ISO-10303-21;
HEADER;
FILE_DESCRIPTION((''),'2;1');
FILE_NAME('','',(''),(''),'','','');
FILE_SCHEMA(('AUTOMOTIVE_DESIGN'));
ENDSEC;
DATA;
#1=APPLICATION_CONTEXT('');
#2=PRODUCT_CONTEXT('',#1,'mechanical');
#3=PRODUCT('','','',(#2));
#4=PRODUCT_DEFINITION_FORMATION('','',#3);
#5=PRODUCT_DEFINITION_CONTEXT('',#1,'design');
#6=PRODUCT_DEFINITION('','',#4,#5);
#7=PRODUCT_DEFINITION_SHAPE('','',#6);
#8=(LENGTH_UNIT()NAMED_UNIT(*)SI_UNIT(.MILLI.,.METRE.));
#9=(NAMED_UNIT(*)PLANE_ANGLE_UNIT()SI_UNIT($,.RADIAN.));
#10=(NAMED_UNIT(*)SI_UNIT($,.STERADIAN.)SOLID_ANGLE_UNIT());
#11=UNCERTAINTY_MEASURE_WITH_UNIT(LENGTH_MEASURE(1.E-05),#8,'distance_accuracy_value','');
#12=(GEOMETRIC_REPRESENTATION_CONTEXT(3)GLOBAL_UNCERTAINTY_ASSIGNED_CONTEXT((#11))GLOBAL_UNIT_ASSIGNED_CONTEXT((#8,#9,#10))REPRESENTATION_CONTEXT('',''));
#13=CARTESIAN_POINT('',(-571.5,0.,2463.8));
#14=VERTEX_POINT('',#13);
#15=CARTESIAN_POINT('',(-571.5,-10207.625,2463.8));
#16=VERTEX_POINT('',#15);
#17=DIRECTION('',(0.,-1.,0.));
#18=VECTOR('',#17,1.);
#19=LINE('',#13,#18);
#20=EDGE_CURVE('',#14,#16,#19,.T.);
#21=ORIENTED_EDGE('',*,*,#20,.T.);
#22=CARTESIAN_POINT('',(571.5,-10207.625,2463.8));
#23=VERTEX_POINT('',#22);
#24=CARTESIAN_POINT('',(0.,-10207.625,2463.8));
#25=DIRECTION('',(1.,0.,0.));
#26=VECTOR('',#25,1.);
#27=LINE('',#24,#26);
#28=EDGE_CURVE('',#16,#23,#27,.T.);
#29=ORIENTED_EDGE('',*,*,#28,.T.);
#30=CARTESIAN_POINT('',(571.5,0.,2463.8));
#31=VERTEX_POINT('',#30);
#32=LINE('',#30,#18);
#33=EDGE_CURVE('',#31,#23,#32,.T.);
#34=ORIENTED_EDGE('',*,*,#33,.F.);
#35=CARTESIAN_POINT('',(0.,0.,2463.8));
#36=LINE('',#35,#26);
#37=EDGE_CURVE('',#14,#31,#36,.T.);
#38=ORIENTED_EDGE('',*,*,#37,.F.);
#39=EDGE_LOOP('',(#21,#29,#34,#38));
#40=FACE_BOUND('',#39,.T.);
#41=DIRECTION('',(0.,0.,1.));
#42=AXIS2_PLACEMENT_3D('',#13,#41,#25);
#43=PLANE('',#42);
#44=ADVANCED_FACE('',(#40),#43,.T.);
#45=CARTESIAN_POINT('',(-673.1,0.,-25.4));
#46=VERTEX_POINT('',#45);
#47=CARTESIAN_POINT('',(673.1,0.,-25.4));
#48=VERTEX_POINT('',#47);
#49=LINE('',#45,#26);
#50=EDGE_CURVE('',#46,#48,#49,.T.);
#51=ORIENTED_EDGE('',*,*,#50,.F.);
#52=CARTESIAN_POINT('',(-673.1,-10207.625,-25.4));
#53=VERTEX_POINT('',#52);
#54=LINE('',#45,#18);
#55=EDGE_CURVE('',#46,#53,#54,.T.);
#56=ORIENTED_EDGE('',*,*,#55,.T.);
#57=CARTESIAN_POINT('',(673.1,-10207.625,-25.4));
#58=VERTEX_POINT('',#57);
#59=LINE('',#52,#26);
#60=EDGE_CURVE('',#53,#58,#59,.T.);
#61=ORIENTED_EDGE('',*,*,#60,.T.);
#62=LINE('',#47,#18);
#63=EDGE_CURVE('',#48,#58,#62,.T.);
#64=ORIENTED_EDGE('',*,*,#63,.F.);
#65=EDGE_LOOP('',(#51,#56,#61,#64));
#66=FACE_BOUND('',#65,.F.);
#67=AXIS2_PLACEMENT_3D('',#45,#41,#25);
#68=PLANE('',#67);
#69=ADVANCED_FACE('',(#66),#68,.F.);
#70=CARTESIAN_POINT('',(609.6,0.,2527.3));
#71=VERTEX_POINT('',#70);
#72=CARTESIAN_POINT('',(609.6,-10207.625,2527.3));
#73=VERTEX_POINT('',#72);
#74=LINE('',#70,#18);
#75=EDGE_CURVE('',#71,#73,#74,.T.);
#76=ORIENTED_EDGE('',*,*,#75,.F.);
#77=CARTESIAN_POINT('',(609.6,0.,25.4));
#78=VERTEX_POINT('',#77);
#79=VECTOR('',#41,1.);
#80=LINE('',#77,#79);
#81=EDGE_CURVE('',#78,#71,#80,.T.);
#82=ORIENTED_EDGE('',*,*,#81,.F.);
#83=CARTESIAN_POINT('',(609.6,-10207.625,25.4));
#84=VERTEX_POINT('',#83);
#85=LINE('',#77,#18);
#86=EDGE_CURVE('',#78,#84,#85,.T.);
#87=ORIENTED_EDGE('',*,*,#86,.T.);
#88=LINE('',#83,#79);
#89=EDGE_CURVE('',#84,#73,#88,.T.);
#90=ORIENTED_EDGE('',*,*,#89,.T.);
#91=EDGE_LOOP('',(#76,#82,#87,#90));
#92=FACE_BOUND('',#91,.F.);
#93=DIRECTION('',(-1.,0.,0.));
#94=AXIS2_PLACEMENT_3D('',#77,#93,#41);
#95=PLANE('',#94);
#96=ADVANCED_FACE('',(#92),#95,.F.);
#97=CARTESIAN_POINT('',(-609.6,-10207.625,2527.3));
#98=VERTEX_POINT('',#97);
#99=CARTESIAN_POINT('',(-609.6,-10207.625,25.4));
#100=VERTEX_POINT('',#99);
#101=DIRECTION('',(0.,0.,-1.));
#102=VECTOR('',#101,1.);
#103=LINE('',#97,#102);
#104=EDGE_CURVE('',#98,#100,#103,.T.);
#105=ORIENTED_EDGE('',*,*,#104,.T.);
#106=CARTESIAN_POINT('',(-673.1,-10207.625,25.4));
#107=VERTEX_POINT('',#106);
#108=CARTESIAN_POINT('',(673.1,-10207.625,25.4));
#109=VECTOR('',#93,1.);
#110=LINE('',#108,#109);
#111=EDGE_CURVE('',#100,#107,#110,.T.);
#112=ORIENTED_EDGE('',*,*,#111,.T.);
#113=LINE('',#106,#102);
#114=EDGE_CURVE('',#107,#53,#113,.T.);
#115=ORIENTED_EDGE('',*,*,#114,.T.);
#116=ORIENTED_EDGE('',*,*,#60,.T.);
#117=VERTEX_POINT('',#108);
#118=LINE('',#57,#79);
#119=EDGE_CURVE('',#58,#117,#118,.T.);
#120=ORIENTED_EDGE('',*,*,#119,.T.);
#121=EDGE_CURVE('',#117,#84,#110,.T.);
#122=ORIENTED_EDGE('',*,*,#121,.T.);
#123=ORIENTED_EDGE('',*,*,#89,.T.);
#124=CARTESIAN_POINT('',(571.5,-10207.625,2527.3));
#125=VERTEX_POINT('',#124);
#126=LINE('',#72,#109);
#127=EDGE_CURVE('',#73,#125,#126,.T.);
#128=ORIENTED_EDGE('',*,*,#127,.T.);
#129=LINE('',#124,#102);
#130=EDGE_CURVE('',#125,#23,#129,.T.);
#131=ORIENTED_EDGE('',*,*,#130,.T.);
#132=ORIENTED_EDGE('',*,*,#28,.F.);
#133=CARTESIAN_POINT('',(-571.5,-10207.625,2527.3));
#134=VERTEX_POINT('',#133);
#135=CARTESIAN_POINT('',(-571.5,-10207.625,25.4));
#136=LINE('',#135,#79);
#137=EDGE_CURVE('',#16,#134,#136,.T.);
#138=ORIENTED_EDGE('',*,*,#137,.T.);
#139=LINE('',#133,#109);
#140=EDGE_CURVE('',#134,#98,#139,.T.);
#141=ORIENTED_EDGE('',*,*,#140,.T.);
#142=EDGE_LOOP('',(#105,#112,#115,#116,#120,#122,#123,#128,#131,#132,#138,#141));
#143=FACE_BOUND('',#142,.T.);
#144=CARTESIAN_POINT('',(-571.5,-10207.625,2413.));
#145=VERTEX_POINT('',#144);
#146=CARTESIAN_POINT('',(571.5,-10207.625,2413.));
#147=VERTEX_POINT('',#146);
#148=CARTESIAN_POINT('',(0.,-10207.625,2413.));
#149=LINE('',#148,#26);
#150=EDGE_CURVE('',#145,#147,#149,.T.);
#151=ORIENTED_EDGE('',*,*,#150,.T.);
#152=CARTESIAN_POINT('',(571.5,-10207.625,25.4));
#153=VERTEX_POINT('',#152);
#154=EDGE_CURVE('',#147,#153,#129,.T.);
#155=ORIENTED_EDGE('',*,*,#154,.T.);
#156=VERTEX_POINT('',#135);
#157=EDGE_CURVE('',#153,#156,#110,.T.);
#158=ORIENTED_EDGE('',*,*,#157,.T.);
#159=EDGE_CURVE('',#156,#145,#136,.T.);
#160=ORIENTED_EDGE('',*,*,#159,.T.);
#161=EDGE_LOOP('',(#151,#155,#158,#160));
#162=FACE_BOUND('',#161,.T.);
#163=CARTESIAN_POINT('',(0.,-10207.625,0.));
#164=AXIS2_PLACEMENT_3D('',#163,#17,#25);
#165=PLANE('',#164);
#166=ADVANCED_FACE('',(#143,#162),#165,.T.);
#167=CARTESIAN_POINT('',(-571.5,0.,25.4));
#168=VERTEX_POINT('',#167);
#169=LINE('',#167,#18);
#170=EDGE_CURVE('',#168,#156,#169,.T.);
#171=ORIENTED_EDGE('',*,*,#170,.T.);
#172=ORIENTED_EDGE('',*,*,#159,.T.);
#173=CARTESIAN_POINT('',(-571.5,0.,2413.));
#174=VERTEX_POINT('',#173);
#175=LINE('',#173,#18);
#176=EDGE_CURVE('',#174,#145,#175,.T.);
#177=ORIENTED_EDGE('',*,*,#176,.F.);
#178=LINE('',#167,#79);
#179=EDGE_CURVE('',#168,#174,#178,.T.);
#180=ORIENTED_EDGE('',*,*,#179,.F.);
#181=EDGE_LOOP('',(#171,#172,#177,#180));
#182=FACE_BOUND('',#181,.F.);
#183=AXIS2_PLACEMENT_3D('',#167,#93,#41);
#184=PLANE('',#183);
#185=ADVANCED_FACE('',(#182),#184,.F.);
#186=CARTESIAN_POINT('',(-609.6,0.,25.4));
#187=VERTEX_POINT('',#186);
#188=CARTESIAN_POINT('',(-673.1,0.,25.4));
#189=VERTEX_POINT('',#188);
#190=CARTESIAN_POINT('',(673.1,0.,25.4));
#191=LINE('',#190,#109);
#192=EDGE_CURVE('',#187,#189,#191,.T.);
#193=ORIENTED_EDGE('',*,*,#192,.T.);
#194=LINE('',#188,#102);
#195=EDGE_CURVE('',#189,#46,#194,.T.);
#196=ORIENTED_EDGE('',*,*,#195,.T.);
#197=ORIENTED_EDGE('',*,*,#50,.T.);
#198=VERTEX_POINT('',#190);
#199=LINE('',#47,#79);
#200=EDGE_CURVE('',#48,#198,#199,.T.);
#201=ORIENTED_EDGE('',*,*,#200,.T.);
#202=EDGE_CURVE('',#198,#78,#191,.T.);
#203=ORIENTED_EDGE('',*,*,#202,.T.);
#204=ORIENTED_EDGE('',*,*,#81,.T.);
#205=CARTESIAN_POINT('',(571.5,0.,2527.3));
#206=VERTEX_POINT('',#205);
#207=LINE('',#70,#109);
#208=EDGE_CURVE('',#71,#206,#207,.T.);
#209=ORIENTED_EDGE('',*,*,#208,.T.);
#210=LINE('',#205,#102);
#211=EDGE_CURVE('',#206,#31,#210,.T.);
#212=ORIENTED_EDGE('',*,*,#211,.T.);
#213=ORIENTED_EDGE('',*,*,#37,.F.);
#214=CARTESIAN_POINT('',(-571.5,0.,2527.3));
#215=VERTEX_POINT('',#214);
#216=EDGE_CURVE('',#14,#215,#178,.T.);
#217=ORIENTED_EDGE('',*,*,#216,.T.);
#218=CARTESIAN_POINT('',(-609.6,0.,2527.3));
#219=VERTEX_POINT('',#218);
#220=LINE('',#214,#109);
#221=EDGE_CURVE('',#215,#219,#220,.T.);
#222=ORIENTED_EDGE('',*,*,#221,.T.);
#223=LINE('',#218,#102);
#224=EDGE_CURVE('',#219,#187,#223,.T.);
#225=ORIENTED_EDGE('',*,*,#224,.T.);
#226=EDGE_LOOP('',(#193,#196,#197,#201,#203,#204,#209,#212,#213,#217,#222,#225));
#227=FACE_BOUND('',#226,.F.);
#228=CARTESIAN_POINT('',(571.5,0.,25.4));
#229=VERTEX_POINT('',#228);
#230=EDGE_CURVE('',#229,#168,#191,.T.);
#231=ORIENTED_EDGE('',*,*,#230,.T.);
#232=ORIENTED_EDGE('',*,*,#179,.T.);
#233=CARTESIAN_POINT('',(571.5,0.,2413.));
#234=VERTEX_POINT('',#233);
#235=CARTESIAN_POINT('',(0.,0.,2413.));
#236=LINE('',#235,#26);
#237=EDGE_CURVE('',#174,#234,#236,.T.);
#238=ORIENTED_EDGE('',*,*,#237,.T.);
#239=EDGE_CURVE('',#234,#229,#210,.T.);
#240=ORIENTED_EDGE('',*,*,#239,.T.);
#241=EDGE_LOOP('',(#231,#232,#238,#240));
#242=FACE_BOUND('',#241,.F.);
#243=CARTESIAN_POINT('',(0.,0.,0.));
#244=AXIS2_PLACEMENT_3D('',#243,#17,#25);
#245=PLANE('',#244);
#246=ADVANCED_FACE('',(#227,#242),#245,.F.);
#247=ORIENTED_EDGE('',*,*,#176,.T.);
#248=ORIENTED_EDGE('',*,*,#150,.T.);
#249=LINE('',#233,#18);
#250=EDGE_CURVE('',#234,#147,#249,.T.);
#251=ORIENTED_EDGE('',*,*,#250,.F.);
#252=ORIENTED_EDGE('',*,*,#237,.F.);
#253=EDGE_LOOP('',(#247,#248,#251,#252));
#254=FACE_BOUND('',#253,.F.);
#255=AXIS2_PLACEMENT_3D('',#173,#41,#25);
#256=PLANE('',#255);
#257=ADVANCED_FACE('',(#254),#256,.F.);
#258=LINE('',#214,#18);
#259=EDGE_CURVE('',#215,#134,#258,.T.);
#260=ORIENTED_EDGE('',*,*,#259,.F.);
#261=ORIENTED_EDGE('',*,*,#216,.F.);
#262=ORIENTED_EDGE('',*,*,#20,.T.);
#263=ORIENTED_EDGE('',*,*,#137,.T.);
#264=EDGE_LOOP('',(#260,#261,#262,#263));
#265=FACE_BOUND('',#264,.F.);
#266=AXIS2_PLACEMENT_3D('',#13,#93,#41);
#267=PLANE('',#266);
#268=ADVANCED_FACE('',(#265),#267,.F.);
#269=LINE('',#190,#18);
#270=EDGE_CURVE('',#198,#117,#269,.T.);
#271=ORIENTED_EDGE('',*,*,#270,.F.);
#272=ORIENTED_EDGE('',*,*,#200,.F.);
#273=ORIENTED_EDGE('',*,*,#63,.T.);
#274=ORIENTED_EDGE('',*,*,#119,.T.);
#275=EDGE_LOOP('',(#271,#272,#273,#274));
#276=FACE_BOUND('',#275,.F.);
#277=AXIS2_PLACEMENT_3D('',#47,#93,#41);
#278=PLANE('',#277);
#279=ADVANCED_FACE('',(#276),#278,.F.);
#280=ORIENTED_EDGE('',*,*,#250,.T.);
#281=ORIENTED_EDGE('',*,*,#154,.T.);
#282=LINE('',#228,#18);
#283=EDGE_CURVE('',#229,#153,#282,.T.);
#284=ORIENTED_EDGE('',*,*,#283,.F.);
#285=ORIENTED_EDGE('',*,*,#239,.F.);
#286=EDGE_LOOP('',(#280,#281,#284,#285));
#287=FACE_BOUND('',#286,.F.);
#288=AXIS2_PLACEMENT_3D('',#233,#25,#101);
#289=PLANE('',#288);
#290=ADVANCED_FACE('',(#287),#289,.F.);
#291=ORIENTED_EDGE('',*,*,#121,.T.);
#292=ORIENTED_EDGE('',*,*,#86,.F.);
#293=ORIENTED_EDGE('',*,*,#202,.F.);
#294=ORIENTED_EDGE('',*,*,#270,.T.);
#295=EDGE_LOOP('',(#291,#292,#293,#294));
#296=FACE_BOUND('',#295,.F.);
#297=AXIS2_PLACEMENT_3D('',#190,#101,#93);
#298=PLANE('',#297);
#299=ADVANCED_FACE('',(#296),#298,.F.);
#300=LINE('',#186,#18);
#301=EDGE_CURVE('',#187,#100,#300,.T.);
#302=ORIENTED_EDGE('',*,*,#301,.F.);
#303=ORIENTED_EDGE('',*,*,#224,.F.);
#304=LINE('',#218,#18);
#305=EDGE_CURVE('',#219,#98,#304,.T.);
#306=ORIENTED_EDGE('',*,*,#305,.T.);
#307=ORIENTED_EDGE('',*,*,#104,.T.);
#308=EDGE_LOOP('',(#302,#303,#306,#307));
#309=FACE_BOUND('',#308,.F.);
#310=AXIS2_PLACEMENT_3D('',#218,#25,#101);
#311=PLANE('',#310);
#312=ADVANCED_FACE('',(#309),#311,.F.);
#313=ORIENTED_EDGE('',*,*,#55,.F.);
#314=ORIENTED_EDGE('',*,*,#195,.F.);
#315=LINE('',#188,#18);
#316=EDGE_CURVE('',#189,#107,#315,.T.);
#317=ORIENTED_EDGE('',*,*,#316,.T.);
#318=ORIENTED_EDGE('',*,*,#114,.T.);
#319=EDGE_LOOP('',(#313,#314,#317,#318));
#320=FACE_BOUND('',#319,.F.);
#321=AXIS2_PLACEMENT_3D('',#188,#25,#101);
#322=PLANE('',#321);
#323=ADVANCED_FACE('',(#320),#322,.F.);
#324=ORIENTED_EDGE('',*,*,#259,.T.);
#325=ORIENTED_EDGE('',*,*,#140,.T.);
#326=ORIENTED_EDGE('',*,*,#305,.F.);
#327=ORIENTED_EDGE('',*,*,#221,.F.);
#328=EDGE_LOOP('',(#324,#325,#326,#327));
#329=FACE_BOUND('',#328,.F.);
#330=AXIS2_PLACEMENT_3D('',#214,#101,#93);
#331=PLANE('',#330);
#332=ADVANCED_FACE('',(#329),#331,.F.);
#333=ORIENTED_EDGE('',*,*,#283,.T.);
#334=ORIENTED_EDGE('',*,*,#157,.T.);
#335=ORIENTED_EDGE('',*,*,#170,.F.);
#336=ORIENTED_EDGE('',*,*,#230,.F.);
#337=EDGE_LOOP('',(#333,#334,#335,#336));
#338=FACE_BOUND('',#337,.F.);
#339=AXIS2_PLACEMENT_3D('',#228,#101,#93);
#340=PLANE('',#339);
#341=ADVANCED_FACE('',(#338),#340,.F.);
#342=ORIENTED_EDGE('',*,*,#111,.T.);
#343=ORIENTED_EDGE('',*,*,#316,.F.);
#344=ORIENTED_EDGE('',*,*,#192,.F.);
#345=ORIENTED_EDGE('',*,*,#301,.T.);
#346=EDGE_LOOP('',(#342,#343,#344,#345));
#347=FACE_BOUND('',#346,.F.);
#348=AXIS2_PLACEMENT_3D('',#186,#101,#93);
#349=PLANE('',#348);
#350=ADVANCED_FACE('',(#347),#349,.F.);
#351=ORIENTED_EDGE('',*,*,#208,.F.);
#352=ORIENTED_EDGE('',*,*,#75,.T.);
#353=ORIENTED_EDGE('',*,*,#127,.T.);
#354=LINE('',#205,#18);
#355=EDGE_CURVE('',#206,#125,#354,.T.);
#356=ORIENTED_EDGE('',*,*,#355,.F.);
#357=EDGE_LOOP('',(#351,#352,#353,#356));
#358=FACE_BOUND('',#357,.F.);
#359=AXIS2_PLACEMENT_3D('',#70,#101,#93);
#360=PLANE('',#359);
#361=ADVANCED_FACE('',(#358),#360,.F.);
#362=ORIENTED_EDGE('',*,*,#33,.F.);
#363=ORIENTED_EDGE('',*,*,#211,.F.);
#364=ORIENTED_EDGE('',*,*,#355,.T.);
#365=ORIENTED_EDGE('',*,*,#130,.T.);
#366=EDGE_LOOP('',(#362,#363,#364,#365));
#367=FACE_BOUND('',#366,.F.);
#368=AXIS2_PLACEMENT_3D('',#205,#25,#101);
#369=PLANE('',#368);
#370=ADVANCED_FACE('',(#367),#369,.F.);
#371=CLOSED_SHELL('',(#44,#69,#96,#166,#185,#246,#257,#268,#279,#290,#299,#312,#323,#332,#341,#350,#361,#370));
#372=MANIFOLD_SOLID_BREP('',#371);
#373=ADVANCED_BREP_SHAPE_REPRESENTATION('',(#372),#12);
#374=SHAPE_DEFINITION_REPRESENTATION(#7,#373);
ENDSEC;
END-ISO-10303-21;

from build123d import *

# Parameters (mm, degrees)
F0_W     = 1143
F0_H     = 50.8
F1_DEPTH = 10207.625


with BuildPart() as f1:
    # F0 (on Front) → F1 (new body)
    with BuildSketch(Plane.XZ):
        Polygon((-673.1, -25.4), (673.1, -25.4), (673.1, 25.4), (609.6, 25.4), (571.5, 25.4), (-571.5, 25.4), (-609.6, 25.4), (-673.1, 25.4), align=None)
        Polygon((571.5, 25.4), (609.6, 25.4), (609.6, 2527.3), (571.5, 2527.3), (571.5, 2463.8), (571.5, 2413), align=None)
        Polygon((-609.6, 2527.3), (-609.6, 25.4), (-571.5, 25.4), (-571.5, 2413), (-571.5, 2463.8), (-571.5, 2527.3), align=None)
        with Locations((0, 2438.4)):
            Rectangle(F0_W, F0_H)
    extrude(amount=F1_DEPTH)


solid = f1.part
